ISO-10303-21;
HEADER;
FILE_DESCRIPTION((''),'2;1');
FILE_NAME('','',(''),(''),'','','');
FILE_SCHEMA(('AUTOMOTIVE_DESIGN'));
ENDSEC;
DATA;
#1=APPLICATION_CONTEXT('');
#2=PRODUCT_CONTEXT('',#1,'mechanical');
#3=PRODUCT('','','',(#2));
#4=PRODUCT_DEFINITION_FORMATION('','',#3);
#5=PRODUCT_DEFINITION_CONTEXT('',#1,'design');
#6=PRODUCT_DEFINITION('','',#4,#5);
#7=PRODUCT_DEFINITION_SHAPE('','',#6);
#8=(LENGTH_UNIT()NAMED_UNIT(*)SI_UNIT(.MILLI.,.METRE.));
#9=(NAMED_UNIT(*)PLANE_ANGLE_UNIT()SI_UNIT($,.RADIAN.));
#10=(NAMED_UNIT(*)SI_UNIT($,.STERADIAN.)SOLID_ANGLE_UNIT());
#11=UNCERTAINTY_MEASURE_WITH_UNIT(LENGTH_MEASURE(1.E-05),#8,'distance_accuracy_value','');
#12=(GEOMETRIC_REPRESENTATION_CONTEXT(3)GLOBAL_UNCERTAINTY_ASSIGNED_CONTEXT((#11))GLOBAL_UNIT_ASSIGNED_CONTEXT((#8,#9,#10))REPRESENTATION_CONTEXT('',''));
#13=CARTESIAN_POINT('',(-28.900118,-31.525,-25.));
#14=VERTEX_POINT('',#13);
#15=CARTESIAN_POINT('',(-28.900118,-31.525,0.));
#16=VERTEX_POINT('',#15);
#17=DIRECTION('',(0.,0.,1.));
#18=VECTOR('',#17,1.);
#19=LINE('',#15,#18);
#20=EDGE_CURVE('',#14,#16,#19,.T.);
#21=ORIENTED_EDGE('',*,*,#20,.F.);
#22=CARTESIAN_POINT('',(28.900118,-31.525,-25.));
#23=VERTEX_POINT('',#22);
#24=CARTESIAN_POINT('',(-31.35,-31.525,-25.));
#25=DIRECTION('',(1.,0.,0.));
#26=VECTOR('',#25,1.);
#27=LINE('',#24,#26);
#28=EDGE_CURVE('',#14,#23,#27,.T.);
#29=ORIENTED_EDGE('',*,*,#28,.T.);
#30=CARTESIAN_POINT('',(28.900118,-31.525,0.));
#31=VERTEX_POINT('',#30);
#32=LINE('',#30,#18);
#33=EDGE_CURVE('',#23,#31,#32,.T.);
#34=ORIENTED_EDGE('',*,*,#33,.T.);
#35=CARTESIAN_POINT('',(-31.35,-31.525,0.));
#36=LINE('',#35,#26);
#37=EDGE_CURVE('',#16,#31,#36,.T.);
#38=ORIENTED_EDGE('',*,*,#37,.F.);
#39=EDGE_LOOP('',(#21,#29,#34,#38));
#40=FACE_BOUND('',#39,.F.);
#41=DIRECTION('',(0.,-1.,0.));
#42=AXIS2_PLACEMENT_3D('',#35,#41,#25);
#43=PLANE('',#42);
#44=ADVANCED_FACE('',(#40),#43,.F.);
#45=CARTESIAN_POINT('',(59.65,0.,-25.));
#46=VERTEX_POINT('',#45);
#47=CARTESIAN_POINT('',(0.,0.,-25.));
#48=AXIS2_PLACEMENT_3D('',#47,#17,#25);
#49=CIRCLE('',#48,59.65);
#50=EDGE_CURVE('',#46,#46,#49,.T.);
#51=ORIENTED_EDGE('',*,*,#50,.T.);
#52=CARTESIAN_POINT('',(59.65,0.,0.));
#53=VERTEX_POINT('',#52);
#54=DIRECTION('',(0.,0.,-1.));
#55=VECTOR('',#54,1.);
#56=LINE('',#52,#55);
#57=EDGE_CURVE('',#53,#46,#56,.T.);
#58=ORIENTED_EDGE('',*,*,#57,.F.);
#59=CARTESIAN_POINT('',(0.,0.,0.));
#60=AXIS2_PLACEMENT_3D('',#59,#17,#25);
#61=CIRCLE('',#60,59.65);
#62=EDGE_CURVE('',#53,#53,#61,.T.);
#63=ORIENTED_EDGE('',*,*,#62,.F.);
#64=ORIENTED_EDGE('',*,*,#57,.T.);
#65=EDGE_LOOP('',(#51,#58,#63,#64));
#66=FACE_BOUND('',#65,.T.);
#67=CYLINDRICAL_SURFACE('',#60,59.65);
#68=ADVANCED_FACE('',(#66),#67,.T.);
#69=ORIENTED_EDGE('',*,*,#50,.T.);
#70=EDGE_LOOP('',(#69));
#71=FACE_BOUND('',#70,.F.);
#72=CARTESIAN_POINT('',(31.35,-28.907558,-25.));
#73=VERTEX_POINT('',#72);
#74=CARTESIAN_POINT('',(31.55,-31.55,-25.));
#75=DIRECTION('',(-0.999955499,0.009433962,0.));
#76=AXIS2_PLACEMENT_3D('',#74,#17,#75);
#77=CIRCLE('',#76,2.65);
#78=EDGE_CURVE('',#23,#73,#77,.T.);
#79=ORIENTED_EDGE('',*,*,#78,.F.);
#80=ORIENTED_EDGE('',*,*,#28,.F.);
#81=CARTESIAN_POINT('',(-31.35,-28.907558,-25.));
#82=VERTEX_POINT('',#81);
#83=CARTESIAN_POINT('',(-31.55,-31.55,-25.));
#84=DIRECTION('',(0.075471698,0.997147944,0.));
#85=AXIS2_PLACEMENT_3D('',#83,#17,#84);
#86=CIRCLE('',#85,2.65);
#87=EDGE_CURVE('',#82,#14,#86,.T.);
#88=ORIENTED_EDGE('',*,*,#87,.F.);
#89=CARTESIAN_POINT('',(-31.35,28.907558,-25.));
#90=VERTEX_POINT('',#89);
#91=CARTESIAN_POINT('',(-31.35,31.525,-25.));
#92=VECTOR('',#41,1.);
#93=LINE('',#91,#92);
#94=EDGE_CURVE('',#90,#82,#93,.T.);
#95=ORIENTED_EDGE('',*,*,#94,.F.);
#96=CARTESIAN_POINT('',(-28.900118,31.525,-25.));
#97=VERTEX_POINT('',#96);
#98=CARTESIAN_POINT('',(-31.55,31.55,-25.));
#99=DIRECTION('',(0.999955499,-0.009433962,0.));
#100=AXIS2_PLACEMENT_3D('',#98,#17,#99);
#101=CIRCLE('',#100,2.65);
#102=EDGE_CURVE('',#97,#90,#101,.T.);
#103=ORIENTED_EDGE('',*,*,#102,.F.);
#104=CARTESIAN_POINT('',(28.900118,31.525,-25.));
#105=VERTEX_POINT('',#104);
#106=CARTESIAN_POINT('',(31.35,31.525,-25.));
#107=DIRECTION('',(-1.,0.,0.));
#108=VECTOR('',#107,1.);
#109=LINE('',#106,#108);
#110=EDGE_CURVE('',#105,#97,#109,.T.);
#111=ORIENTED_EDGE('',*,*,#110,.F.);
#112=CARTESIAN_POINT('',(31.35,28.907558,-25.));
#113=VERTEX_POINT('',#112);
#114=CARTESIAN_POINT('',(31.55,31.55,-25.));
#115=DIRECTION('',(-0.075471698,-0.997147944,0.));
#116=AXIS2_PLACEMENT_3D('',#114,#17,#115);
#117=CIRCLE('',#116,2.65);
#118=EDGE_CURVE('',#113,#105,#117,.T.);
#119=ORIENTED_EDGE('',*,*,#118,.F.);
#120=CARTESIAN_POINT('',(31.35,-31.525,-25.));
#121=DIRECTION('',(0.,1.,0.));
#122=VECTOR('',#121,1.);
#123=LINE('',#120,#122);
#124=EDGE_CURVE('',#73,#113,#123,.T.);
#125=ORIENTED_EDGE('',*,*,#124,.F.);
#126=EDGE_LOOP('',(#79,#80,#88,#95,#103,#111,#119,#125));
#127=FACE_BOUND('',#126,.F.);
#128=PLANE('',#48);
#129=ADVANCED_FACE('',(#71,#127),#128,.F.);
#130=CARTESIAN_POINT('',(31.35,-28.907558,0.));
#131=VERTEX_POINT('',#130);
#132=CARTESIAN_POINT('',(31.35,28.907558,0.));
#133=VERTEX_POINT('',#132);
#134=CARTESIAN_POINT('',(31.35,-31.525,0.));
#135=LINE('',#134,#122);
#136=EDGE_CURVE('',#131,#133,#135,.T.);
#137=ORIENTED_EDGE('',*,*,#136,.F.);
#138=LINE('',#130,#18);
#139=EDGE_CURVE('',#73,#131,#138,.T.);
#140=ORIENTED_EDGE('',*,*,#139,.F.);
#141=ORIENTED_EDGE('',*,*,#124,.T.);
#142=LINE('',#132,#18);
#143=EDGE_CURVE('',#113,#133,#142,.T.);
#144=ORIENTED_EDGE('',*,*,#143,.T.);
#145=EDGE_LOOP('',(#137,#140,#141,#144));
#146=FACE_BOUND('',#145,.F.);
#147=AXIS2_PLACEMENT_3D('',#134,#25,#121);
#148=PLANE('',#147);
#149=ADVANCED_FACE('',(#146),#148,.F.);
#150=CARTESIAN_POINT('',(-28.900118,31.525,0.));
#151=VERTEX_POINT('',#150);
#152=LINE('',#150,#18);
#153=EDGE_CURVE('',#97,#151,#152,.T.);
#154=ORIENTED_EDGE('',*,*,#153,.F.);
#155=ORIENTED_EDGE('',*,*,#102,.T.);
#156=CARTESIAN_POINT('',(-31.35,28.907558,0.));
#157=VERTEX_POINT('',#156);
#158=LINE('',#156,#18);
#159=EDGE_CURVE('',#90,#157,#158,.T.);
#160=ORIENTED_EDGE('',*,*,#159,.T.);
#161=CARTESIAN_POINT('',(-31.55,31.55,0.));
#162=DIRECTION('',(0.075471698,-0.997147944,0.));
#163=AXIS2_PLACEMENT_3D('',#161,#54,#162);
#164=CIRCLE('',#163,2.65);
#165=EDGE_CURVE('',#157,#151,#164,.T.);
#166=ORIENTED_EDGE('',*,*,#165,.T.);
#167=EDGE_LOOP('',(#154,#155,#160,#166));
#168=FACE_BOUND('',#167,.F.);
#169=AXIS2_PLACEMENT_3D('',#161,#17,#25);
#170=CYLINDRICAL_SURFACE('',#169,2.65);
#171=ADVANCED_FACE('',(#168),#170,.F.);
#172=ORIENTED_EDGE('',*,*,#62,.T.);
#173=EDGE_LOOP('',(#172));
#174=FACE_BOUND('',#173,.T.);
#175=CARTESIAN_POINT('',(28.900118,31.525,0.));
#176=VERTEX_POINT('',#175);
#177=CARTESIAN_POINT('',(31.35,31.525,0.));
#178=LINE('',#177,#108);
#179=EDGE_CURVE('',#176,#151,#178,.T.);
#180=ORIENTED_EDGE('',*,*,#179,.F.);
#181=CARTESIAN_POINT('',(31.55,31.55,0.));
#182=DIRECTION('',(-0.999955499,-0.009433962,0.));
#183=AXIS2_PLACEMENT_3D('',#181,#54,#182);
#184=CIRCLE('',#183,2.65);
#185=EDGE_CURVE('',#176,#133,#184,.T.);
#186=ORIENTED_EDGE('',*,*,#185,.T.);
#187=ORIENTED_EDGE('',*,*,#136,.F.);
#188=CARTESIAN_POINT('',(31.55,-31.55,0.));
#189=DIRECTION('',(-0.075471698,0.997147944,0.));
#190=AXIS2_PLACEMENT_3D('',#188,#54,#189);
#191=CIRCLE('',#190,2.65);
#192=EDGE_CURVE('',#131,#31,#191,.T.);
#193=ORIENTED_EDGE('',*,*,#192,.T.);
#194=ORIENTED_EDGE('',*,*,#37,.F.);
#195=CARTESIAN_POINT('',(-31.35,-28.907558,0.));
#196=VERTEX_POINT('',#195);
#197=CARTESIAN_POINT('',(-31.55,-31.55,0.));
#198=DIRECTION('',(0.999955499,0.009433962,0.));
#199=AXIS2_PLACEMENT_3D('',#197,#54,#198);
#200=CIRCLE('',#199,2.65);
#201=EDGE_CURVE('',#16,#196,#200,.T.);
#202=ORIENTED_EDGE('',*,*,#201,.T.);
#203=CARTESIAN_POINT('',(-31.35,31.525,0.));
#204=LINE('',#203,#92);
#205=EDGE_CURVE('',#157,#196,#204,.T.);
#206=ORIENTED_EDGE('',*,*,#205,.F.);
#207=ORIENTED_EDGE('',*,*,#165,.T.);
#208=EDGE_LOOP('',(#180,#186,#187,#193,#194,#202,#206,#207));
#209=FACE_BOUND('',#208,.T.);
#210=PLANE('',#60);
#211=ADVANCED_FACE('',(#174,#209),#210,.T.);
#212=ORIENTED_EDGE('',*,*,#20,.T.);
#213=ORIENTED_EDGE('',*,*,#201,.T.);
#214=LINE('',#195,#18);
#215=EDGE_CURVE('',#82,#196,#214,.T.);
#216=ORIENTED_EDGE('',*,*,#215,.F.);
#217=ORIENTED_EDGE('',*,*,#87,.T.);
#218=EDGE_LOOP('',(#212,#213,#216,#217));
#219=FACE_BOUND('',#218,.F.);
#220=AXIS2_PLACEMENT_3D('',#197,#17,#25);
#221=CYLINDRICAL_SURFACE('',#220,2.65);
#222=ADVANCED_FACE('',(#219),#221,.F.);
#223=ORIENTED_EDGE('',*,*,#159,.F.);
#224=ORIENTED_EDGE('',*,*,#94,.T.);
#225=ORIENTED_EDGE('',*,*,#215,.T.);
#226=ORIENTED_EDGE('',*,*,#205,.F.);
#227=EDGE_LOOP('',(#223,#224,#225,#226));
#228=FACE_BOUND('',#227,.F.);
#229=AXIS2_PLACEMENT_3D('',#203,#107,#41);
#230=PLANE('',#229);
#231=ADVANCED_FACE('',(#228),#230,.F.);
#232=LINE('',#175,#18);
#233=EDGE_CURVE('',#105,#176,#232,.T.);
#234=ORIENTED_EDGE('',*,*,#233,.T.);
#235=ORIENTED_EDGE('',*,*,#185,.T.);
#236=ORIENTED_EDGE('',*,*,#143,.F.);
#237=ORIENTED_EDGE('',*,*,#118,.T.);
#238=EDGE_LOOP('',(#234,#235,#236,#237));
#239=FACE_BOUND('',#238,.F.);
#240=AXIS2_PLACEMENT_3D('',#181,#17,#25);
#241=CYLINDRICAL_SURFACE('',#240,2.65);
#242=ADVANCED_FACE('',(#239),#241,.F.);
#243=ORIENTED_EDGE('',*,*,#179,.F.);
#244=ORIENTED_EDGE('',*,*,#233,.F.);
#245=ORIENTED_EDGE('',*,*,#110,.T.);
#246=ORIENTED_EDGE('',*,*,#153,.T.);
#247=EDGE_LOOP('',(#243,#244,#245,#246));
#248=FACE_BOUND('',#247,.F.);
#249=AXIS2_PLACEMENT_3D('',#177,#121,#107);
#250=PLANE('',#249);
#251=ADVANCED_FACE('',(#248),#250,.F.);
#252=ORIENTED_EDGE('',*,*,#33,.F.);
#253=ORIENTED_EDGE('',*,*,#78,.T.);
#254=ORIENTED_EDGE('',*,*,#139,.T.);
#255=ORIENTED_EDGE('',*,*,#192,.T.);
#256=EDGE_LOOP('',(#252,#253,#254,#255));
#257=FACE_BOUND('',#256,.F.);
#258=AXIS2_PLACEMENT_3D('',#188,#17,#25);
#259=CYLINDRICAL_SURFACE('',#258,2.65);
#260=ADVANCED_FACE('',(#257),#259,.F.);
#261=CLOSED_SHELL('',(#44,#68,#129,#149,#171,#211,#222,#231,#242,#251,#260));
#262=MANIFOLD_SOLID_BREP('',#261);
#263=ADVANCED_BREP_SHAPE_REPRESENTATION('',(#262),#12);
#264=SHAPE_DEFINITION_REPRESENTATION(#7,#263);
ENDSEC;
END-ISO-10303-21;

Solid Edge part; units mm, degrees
sketch "Sketch1" plane through (0, 0, 0) normal (0, 0, 1) x (1, 0, 0)
  circle A0 centre (0, 0) radius 59.65
extrude "Protrusion1" add sketch "Sketch1" against normal blind 25
sketch "Sketch2" plane through (0, 0, 0) normal (0, 0, 1) x (1, 0, 0)
  circle A0 centre (31.55, 31.55) radius 2.65
  circle A1 centre (-31.55, 31.55) radius 2.65
  circle A2 centre (31.55, -31.55) radius 2.65
  circle A3 centre (-31.55, -31.55) radius 2.65
extrude "ExtrudedCutout_2" cut sketch "Sketch2" against normal blind 25
sketch "Sketch3" plane through (0, 0, 0) normal (0, 0, 1) x (1, 0, 0)
  line L0 (-31.35, -31.525) -> (31.35, -31.525)
  line L1 (31.35, -31.525) -> (31.35, 31.525)
  line L2 (31.35, 31.525) -> (-31.35, 31.525)
  line L3 (-31.35, 31.525) -> (-31.35, -31.525)
extrude "ExtrudedCutout_7" cut sketch "Sketch3" against normal blind 25
